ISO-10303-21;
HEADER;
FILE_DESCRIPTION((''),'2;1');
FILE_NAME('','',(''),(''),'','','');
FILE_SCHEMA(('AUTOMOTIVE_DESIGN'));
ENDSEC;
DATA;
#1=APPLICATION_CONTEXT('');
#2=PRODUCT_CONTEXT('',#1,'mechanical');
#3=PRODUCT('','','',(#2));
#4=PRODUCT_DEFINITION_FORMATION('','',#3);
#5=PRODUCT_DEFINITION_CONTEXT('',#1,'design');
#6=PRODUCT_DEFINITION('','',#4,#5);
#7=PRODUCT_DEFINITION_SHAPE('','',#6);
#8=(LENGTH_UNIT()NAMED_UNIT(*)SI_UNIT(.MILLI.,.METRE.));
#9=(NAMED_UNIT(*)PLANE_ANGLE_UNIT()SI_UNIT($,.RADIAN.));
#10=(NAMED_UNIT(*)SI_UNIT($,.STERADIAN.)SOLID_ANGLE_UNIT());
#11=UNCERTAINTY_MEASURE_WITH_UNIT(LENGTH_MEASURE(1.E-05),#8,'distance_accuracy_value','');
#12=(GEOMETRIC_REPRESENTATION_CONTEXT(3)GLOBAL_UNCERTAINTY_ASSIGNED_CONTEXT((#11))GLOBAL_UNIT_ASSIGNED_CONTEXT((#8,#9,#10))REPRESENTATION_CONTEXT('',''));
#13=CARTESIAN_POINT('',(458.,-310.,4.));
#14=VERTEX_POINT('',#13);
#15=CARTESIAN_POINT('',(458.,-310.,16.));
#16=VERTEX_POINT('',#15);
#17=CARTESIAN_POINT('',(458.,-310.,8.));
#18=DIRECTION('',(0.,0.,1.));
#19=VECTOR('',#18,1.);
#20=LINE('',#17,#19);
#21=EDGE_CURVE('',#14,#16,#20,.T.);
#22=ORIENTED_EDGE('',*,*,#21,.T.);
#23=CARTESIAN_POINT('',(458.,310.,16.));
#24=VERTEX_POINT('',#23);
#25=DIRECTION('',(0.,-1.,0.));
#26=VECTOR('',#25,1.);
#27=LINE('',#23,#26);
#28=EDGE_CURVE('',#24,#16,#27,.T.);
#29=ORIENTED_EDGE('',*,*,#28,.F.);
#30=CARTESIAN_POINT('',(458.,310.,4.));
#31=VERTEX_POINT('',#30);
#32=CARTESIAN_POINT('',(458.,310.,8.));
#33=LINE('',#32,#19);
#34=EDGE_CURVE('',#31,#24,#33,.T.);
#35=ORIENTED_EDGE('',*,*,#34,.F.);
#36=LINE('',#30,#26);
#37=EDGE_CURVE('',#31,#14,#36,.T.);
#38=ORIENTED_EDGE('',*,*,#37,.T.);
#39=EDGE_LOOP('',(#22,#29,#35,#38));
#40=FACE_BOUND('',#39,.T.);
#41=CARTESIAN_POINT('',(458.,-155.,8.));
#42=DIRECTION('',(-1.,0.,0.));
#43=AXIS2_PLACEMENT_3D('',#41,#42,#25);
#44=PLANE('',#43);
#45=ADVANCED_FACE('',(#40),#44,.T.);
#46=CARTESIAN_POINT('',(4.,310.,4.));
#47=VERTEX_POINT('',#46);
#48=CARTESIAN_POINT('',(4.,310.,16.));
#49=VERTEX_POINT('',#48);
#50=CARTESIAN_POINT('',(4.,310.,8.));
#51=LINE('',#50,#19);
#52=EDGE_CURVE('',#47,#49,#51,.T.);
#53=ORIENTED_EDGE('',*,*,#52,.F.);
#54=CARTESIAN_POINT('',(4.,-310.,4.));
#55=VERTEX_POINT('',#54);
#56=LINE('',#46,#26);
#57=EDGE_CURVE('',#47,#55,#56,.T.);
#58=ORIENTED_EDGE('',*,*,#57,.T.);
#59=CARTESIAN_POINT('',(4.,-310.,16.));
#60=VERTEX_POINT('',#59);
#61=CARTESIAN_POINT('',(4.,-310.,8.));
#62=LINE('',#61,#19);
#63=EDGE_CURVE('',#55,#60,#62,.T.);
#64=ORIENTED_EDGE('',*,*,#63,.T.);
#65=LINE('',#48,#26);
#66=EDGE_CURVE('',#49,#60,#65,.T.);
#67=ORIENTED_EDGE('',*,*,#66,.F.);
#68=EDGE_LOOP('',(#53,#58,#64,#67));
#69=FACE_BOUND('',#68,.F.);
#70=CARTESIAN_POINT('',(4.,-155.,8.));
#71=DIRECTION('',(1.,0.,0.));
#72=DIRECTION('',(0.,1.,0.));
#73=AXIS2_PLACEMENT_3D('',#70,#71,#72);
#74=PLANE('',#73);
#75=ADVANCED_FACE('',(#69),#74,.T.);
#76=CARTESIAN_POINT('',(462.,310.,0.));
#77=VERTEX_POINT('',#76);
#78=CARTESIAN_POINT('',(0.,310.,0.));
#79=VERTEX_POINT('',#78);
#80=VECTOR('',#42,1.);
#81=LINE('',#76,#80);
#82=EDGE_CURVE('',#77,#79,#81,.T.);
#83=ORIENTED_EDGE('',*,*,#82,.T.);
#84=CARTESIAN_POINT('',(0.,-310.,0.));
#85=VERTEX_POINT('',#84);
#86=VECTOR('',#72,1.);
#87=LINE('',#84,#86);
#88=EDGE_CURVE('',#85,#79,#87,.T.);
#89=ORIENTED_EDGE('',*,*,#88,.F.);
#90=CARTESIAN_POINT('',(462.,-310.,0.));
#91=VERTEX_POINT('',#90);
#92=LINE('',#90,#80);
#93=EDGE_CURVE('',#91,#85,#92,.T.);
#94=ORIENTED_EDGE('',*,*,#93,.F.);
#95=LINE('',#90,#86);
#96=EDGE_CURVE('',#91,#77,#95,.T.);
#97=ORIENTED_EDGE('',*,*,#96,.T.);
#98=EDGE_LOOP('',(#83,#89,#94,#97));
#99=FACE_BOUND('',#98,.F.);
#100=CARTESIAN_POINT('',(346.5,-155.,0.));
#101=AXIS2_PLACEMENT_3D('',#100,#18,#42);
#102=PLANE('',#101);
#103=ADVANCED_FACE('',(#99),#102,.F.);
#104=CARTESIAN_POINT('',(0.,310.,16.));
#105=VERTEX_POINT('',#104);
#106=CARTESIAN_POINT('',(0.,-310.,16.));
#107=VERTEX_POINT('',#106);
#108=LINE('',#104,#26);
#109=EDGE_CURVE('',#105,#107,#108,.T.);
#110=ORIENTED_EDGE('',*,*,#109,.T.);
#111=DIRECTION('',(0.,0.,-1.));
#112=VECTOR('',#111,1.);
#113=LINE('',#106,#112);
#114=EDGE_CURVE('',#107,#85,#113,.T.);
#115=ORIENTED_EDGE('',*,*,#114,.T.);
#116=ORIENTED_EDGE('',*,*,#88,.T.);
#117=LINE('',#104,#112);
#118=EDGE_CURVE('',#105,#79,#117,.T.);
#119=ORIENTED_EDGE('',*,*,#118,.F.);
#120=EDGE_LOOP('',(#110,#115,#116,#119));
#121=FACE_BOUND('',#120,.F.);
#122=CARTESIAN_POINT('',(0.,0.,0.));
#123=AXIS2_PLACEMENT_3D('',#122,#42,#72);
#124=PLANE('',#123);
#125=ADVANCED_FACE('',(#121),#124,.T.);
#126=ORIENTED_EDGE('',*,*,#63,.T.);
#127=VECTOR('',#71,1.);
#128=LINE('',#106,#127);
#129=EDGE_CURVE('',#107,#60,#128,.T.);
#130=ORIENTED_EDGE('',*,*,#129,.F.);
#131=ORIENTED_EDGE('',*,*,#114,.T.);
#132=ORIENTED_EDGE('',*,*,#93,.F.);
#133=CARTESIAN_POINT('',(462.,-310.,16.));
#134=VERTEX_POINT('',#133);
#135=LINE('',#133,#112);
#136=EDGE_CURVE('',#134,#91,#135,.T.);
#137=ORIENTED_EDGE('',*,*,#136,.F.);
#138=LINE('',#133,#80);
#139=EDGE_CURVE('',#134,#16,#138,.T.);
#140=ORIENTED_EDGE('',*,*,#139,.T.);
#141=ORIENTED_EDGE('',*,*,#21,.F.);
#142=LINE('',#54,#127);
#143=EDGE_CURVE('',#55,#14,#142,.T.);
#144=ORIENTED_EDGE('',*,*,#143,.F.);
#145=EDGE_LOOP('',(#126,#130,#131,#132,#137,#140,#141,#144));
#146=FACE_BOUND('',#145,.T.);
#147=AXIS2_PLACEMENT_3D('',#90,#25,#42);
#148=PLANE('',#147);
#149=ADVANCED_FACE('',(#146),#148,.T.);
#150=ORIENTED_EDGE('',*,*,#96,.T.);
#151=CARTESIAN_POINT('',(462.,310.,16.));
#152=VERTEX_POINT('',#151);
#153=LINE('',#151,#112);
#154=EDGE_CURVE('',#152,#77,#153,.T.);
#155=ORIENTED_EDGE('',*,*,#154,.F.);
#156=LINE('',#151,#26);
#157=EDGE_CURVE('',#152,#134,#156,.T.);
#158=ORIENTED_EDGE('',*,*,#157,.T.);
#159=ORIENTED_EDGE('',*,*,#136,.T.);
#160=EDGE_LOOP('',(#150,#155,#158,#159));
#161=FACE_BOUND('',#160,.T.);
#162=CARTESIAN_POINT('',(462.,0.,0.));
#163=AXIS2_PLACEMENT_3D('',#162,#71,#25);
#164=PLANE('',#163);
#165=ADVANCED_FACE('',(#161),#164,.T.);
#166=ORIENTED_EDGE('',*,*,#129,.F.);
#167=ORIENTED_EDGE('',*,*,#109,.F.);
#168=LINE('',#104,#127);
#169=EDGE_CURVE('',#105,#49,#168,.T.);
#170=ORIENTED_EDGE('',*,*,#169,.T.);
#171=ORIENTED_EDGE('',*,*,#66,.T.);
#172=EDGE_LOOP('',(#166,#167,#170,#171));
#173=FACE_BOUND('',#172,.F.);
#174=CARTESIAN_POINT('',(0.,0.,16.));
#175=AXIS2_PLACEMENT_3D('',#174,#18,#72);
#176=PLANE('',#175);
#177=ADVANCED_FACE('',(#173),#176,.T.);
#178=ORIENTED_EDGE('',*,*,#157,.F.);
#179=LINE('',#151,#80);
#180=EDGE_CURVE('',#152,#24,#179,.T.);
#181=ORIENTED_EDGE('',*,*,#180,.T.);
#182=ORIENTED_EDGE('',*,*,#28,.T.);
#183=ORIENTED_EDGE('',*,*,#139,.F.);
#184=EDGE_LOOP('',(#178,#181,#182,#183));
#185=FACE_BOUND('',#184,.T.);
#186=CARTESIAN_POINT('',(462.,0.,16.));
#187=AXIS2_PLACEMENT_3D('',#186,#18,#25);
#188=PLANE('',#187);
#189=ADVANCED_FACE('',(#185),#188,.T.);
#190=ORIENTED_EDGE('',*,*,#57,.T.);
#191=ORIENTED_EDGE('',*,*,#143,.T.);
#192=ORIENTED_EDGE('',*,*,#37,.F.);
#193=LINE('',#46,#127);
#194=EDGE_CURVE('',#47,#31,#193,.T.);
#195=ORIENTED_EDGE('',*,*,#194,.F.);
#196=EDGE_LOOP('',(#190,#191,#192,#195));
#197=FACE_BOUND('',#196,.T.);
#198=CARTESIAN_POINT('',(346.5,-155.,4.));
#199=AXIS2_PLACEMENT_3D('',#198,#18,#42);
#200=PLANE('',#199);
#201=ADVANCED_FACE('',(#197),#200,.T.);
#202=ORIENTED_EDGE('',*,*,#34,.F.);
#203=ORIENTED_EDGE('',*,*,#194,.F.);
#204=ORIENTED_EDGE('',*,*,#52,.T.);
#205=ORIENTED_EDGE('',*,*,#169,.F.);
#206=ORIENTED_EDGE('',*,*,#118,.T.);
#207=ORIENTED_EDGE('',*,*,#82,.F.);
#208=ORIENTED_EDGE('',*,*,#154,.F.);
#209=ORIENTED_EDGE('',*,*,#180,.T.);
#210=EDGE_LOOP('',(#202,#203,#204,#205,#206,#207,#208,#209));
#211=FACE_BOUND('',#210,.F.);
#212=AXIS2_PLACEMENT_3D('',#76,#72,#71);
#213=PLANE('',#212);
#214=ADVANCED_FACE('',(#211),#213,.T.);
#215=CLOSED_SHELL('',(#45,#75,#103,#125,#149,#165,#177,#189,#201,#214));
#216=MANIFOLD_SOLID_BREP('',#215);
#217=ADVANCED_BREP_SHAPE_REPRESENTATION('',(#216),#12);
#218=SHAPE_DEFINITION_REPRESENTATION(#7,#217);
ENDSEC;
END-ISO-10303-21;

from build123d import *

# Parameters (mm, degrees)
F0_W     = 231
F0_H     = 310
F1_DEPTH = 4
F2_W     = 310
F2_H     = 16
F3_DEPTH = 4


with BuildPart() as f1:
    # F0 (on Top) → F1 (new body)
    with BuildSketch(Plane.XY):
        with Locations((115.5, 155)):
            Rectangle(F0_W, F0_H)
    extrude(amount=F1_DEPTH)

    # F2 (on Right) → F3 (join)
    with BuildSketch(Plane.YZ):
        with Locations((155, 8)):
            Rectangle(F2_W, F2_H)
    extrude(amount=F3_DEPTH)

    # F4: F1 across face


with BuildPart() as f1_1:
    add(f1.part)
    add(f1.part.mirror(Plane(origin=(231, 155, 2), x_dir=(0, 1, 0), z_dir=(1, 0, 0))))

    # F5: F1 across face


with BuildPart() as f1_2:
    add(f1_1.part)
    add(f1_1.part.mirror(Plane(origin=(231, 0, 2.395062), x_dir=(1, 0, 0), z_dir=(0, -1, 0))))


solid = f1_2.part
